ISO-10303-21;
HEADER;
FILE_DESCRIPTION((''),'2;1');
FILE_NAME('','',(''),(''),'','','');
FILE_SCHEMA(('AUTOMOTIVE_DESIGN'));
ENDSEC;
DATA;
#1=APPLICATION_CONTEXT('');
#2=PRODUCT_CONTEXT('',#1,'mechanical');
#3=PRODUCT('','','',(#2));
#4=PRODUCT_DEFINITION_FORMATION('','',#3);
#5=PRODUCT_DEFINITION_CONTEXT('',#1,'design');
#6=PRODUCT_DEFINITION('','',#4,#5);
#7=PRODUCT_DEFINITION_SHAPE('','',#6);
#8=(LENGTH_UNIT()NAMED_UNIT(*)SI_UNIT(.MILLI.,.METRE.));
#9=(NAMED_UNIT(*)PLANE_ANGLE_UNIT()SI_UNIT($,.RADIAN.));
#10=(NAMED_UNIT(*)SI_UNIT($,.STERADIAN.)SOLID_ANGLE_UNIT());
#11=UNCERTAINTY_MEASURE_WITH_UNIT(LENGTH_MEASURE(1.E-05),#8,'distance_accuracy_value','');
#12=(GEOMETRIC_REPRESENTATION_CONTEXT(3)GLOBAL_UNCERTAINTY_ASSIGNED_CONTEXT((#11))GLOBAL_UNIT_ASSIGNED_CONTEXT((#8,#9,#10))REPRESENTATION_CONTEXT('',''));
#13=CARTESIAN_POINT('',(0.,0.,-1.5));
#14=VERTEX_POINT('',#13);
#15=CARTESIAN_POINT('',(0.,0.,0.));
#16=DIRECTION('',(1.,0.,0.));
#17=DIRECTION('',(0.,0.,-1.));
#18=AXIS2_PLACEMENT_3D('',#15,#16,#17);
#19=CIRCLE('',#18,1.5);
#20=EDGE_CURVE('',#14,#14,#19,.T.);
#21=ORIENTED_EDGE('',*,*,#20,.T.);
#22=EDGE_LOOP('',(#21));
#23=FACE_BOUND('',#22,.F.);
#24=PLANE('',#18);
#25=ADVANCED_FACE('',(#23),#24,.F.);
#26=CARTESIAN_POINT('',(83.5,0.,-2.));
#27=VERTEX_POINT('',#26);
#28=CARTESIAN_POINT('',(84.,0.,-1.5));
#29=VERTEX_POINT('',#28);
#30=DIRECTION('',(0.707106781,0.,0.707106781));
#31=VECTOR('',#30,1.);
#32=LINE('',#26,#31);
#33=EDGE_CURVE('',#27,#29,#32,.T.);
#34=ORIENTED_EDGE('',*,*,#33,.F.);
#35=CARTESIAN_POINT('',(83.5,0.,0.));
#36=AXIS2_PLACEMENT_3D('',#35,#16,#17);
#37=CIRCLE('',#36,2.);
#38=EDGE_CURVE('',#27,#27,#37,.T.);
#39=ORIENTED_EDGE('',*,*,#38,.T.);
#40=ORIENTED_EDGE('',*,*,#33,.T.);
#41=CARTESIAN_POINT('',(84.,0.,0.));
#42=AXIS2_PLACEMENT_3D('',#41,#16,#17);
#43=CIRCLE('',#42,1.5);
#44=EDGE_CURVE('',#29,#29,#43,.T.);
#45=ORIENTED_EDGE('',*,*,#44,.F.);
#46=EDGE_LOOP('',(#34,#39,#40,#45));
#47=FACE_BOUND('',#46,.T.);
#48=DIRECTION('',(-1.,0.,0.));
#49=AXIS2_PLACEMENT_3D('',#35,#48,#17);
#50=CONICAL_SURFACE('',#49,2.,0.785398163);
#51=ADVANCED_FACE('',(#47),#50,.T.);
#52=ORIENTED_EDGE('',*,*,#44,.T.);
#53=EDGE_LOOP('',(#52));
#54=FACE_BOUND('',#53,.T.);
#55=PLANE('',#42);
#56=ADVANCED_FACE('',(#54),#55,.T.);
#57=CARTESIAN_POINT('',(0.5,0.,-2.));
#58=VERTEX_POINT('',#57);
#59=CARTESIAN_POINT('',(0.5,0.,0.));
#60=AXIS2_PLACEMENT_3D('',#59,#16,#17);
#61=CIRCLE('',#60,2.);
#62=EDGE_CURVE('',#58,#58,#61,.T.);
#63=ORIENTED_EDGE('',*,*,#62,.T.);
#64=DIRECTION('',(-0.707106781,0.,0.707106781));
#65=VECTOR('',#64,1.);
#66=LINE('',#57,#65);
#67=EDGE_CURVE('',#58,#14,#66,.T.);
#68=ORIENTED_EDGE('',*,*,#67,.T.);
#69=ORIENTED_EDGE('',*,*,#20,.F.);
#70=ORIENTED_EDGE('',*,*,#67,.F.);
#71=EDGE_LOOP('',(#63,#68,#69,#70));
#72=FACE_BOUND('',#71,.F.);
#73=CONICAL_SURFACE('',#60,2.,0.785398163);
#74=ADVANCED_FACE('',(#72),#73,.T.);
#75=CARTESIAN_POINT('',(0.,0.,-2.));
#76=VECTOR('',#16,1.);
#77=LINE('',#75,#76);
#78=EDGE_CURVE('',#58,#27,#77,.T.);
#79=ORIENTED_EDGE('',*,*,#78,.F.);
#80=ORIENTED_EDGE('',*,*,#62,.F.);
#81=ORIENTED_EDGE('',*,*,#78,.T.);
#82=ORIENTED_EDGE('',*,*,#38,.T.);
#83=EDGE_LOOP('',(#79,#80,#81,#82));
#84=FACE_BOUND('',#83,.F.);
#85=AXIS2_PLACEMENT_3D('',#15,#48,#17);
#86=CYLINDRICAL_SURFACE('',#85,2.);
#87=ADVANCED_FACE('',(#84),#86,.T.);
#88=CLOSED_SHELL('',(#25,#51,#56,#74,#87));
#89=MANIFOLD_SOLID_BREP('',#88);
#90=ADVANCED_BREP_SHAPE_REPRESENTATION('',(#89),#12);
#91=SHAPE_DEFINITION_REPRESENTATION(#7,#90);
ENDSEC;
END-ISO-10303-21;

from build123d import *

# Parameters (mm, degrees)
SKETCH1_R           = 2
BOSS_EXTRUDE1_DEPTH = 84
CHAMFER1_SIZE       = 0.5
CHAMFER2_SIZE       = 0.5


with BuildPart() as part:
    # Sketch1 → Boss-Extrude1 (new body)
    with BuildSketch(Plane(origin=(0, 0, 0), x_dir=(0, 0, -1), z_dir=(1, 0, 0))):
        Circle(SKETCH1_R)
    extrude(amount=BOSS_EXTRUDE1_DEPTH)

    # Chamfer1
    chamfer1_edges = [part.edges().sort_by_distance(p)[0] for p in [
        (0, 0, 2),
    ]]
    chamfer(chamfer1_edges, length=CHAMFER1_SIZE)

    # Chamfer2
    chamfer2_edges = [part.edges().sort_by_distance(p)[0] for p in [
        (84, 0, 2),
    ]]
    chamfer(chamfer2_edges, length=CHAMFER2_SIZE)


solid = part.part
